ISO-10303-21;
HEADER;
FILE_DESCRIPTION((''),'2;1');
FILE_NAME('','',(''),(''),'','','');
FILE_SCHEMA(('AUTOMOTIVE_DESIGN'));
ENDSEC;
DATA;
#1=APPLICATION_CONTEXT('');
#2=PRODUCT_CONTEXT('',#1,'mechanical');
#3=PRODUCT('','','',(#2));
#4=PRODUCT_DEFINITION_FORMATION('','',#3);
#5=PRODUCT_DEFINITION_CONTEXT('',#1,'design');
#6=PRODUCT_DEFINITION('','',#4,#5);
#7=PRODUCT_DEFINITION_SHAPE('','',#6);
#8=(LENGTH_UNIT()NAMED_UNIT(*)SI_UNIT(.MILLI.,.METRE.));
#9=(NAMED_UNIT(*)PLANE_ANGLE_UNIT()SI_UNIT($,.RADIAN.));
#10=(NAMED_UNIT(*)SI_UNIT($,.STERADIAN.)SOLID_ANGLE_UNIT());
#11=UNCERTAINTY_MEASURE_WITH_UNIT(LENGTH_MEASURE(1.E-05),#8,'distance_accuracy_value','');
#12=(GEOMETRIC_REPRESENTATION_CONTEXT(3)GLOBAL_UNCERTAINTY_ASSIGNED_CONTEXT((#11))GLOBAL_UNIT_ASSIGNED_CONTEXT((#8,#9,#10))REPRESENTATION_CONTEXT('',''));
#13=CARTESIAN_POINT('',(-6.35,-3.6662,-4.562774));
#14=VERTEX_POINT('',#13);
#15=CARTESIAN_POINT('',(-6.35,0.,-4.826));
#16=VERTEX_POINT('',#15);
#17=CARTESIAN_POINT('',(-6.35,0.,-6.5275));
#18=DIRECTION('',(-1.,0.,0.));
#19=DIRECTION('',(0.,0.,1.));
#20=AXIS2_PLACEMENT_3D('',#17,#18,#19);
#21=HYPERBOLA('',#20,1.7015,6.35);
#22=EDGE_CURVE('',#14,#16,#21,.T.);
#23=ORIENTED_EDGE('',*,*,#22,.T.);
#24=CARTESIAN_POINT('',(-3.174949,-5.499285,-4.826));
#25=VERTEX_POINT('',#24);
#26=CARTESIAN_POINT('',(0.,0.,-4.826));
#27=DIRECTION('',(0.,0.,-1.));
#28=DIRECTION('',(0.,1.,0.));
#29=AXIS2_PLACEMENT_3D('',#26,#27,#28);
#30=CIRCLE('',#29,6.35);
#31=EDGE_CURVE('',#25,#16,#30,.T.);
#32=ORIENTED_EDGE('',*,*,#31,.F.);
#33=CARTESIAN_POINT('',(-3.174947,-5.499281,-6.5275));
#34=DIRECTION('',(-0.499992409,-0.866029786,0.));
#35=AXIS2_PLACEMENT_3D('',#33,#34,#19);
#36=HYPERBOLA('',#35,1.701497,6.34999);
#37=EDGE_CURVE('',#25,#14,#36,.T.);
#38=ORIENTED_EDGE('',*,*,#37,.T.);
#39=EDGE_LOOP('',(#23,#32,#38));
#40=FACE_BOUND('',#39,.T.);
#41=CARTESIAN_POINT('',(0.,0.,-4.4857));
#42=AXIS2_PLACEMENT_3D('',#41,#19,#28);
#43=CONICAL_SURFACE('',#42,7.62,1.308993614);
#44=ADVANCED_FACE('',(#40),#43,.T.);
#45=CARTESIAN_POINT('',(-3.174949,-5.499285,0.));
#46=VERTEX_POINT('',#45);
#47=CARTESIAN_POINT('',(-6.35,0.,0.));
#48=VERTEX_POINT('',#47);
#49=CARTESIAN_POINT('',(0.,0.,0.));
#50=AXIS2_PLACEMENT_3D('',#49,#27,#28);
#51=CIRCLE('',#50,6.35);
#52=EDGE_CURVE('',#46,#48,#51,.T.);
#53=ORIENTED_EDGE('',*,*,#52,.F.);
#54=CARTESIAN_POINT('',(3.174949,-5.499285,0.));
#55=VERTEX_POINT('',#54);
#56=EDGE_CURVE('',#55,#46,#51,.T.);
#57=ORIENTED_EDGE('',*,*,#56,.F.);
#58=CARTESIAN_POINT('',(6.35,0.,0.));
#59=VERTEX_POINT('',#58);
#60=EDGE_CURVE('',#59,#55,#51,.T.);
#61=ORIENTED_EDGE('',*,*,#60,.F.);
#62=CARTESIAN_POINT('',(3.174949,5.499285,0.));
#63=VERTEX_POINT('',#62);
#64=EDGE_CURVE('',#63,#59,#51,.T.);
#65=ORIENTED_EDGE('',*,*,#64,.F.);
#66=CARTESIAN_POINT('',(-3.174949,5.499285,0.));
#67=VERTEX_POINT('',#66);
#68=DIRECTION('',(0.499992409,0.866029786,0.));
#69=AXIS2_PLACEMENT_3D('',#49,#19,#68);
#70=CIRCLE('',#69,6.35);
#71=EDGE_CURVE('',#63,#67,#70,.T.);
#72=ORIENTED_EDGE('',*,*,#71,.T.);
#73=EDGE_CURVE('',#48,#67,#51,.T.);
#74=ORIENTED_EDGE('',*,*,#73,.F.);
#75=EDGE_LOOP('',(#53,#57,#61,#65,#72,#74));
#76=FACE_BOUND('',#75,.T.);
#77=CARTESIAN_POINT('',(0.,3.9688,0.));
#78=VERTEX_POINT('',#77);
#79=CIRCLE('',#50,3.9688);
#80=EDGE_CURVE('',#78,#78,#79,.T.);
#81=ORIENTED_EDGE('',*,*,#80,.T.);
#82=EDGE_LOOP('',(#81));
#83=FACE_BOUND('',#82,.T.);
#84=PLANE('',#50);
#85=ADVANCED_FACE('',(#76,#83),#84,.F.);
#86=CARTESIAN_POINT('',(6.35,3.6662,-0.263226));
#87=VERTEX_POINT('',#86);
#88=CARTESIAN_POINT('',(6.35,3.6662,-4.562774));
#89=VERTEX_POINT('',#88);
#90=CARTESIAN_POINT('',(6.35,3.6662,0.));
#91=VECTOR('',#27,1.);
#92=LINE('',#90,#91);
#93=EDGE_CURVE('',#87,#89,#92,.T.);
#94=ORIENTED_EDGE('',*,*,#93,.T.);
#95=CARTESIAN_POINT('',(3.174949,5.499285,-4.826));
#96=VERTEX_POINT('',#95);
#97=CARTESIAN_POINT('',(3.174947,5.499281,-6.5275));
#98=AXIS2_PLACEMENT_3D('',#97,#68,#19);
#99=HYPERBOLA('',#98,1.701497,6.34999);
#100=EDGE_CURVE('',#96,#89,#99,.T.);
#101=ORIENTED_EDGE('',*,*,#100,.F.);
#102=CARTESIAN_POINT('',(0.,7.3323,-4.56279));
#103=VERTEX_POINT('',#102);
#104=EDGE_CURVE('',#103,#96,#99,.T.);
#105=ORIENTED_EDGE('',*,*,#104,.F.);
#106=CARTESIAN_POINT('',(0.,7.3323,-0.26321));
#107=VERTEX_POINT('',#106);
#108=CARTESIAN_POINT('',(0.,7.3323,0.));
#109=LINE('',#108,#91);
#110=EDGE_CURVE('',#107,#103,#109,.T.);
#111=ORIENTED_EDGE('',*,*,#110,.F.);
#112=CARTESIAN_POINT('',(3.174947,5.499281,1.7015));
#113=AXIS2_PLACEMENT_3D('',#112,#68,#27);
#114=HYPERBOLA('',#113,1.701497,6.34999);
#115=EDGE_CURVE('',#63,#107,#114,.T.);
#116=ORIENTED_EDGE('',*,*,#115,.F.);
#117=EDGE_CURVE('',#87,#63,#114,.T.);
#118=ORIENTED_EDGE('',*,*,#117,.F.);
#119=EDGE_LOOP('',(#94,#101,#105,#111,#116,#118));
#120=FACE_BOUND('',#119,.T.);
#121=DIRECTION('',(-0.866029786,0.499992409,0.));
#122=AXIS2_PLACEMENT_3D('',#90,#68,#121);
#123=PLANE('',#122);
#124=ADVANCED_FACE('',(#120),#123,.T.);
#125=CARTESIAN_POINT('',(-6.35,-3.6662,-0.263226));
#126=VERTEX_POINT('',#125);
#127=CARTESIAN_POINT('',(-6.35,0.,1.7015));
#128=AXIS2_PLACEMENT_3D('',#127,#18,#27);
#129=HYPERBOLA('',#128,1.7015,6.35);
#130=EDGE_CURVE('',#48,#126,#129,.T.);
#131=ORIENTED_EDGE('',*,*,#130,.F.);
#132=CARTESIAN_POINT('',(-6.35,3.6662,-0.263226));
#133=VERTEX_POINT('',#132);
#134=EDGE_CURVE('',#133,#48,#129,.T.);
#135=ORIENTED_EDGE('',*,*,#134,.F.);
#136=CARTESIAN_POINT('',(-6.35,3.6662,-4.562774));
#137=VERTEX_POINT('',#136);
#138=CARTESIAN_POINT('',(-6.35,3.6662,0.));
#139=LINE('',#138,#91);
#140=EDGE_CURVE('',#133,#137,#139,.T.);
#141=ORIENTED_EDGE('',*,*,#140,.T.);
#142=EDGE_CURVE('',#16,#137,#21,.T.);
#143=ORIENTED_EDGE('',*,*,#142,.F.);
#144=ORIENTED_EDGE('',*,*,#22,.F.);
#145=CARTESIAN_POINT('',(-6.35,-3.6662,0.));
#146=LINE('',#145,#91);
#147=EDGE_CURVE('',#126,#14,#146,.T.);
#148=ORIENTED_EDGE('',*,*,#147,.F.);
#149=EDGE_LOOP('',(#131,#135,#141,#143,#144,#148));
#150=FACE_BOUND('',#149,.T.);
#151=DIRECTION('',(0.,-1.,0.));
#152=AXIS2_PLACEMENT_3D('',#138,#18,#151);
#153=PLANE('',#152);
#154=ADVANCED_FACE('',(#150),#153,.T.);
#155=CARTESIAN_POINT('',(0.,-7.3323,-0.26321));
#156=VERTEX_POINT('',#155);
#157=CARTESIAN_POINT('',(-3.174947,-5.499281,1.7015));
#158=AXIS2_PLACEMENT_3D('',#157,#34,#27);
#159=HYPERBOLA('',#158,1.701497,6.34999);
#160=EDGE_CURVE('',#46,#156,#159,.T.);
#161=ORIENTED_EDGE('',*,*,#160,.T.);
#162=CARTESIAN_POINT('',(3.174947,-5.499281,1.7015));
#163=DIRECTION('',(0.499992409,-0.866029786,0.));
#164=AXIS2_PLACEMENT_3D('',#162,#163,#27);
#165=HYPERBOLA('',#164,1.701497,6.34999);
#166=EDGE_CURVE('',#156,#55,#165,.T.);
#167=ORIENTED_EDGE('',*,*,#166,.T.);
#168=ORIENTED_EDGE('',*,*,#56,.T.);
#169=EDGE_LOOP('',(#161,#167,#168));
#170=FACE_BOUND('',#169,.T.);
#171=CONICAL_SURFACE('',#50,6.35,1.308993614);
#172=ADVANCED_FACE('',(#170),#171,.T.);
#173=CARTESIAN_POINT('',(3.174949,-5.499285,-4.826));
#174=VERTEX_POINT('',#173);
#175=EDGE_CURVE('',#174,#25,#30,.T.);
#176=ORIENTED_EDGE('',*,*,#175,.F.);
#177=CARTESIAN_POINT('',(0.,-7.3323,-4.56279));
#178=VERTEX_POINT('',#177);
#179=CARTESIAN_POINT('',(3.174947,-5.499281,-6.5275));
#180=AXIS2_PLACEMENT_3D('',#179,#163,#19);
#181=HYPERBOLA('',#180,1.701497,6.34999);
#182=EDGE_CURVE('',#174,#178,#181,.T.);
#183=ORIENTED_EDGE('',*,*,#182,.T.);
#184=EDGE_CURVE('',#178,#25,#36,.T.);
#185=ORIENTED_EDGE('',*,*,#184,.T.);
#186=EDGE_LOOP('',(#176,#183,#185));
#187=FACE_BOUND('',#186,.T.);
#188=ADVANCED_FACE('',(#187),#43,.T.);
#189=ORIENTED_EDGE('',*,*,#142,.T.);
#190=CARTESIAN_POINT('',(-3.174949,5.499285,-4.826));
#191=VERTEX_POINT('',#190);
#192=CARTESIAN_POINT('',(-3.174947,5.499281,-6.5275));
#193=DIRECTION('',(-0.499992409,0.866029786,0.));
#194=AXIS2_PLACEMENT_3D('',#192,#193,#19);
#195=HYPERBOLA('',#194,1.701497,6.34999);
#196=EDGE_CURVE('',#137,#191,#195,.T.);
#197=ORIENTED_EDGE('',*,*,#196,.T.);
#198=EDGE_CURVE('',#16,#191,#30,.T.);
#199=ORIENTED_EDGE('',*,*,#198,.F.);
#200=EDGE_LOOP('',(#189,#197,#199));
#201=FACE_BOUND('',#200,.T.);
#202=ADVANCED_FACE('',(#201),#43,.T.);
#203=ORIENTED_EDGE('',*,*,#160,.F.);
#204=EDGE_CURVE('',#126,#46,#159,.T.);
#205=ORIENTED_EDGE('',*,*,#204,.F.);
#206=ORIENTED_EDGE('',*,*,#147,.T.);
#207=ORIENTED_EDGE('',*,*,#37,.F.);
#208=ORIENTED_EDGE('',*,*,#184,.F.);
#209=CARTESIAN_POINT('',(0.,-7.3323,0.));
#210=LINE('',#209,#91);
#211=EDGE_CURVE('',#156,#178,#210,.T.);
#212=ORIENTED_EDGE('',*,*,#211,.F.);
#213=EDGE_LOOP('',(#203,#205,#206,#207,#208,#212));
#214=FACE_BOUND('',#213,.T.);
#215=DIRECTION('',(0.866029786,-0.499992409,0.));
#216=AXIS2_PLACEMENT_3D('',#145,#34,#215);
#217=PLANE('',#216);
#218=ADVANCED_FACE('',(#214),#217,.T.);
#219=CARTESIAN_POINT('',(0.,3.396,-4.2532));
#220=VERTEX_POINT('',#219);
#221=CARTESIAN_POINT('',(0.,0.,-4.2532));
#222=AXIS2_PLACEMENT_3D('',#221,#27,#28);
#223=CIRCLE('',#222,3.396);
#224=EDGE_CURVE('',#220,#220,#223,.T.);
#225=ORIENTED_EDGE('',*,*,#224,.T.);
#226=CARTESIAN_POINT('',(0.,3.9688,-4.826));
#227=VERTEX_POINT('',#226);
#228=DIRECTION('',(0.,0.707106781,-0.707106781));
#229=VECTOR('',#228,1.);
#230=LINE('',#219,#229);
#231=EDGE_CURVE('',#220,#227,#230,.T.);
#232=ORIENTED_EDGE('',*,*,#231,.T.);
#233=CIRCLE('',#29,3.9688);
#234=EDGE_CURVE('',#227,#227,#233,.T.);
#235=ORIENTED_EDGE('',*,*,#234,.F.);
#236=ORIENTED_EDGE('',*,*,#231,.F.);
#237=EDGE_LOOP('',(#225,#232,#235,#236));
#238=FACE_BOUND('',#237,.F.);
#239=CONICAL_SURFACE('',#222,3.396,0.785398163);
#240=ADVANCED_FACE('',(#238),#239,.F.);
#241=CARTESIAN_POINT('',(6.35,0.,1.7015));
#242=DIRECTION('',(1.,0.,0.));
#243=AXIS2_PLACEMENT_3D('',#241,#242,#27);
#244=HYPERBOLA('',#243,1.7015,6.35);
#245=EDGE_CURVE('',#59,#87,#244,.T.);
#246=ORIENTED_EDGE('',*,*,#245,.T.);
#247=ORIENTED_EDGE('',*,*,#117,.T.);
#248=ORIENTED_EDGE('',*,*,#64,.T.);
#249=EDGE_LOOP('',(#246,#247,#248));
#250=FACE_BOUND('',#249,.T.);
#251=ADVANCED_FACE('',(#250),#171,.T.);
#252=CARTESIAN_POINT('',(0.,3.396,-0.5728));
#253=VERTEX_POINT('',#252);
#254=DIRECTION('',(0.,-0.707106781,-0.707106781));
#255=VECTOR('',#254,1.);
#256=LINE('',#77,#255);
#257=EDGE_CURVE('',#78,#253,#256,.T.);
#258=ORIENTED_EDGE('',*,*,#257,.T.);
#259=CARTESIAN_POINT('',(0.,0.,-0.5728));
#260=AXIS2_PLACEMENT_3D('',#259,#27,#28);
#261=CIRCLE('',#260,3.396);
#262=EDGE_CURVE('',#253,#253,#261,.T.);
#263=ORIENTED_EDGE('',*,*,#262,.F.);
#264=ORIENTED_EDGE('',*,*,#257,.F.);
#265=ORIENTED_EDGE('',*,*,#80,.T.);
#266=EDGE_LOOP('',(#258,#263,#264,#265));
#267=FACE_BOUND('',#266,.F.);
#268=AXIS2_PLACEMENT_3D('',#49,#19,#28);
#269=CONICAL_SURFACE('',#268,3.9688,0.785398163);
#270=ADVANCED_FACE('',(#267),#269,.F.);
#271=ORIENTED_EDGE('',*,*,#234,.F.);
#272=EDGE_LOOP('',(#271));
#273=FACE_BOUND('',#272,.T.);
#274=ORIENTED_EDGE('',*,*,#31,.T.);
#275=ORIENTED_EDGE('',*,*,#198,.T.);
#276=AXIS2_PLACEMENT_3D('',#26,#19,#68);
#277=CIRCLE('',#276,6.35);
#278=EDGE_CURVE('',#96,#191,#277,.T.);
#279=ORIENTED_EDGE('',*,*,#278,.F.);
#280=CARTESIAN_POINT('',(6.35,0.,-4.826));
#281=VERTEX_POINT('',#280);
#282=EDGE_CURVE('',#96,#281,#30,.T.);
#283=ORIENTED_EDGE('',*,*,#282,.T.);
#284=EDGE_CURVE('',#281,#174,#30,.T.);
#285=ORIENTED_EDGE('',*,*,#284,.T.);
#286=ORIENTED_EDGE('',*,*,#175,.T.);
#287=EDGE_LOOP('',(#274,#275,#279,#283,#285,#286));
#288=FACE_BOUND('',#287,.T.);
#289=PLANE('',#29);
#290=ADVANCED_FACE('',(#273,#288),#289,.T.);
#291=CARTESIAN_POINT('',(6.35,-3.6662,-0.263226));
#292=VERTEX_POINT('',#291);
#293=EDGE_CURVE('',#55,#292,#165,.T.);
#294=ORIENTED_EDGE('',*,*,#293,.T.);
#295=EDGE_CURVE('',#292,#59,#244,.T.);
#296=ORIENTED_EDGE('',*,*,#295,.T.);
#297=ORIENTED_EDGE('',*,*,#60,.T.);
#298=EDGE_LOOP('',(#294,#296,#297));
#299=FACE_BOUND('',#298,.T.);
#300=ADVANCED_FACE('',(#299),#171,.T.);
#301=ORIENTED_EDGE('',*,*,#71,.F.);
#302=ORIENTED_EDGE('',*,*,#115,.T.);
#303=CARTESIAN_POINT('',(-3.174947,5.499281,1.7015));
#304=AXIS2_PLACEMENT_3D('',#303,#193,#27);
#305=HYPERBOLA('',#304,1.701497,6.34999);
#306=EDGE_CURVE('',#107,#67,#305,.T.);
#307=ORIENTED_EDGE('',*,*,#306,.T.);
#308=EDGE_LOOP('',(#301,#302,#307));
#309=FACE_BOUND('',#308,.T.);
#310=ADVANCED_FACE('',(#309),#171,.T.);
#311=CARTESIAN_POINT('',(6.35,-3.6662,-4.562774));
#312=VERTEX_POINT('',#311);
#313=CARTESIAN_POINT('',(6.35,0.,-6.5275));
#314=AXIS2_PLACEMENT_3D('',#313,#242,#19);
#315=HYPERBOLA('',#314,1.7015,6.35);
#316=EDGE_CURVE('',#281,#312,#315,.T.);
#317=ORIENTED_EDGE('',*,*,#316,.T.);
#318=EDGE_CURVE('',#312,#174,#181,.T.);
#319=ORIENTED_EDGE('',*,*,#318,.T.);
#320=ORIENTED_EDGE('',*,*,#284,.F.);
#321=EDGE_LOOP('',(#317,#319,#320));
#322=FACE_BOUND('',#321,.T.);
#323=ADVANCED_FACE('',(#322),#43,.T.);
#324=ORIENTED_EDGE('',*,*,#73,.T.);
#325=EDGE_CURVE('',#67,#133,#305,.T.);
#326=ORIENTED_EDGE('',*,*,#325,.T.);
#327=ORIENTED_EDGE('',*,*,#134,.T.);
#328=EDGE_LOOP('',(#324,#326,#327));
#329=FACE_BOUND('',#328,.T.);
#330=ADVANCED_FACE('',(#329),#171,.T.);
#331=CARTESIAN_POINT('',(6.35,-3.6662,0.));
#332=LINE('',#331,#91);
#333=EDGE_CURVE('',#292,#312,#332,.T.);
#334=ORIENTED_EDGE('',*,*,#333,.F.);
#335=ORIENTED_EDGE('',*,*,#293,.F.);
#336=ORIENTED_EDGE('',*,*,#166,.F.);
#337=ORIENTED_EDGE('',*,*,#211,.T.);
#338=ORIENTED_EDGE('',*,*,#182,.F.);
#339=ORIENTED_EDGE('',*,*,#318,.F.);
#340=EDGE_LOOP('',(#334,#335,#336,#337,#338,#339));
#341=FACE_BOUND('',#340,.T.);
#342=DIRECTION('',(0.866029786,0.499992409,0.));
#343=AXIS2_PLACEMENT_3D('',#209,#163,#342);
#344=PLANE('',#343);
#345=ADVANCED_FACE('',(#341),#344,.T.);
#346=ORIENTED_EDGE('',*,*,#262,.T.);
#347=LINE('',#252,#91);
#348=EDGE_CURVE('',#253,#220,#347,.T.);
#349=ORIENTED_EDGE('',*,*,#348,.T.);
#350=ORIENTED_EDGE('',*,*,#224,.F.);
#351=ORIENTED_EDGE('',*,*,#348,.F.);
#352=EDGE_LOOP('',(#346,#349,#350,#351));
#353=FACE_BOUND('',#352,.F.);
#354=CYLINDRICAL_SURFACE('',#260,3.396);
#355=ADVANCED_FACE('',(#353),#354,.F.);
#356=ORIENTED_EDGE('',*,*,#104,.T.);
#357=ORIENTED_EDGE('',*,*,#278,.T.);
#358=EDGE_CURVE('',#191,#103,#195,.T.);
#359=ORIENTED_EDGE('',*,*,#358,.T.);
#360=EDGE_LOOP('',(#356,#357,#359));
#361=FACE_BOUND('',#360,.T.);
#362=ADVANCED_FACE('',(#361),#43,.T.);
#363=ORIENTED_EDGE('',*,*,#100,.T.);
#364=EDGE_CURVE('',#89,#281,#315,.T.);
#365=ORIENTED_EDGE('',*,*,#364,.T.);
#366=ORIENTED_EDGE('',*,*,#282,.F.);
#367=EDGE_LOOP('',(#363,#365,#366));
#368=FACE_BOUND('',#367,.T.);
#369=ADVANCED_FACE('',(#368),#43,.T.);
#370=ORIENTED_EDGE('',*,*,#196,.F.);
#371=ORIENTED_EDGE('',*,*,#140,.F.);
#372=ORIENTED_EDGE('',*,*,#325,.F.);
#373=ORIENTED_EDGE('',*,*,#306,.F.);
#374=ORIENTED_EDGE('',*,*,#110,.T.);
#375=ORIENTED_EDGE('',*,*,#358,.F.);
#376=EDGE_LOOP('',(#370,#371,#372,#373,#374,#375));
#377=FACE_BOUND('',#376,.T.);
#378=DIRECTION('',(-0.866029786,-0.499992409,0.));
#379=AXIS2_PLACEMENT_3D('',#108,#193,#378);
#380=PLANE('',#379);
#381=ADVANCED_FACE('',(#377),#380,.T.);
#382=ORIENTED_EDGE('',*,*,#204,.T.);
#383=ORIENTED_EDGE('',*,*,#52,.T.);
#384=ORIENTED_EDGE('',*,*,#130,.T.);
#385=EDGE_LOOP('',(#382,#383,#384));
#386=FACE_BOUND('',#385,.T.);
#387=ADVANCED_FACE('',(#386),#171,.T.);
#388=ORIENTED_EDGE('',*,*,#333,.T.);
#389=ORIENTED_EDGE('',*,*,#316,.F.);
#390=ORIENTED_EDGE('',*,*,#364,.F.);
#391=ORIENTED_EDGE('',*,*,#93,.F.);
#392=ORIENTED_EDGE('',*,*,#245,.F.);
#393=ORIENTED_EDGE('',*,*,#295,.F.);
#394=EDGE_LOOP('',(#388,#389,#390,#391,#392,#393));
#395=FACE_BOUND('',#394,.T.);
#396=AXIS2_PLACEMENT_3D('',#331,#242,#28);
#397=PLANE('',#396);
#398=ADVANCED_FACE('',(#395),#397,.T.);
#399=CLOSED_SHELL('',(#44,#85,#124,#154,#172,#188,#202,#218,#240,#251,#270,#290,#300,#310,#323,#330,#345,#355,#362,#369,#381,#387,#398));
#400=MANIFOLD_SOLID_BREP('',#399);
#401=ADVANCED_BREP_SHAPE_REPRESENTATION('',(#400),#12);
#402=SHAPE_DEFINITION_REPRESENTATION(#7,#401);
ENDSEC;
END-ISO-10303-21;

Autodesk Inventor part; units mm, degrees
sketch "Sketch_8" plane through (0, 0, 0) normal (1, 0, 0) x (0, 1, 0)
  line L0 (0, -4.826) -> (0, 0)
  line L1 (0, 0) -> (6.35, 0)
  line L2 (6.35, 0) -> (7.62, -0.3403)
  line L3 (7.62, -0.3403) -> (7.62, -4.4857)
  line L4 (7.62, -4.4857) -> (6.35, -4.826)
  line L5 (6.35, -4.826) -> (0, -4.826)
  line L6 (0, -4.826) -> (0, 0)
sketch "Sketch_10" plane through (0, 0, 0) normal (0, 0, 1) x (1, 0, 0)
  line L0 (-12.7, 12.7) -> (-12.7, -12.7)
  line L1 (-12.7, -12.7) -> (12.7, -12.7)
  line L2 (12.7, -12.7) -> (12.7, 12.7)
  line L3 (12.7, 12.7) -> (-12.7, 12.7)
  line L4 (-6.35, 3.6662) -> (-6.35, -3.6662)
  line L5 (-6.35, -3.6662) -> (0, -7.3323)
  line L6 (0, -7.3323) -> (6.35, -3.6662)
  line L7 (6.35, -3.6662) -> (6.35, 3.6662)
  line L8 (6.35, 3.6662) -> (0, 7.3323)
  line L9 (0, 7.3323) -> (-6.35, 3.6662)
revolve "Revolution1" add sketch "Sketch_8" angle 360 about axis through (0, 0, -4.826) along (0, 0, -1)
extrude "Extrusion1" cut sketch "Sketch_10" against normal blind 4.826
sketch "Sketch_11" plane through (0, 0, 0) normal (1, 0, 0) x (0, 1, 0)
  line L0 (0, -4.826) -> (0, 0)
  line L1 (0, 0) -> (3.9688, 0)
  line L2 (3.9688, 0) -> (3.396, -0.5728)
  line L3 (3.396, -0.5728) -> (3.396, -4.2532)
  line L4 (3.396, -4.2532) -> (3.9688, -4.826)
  line L5 (3.9688, -4.826) -> (0, -4.826)
  line L6 (0, -4.826) -> (0, 0)
revolve "Revolution2" cut sketch "Sketch_11" angle 360 about axis through (0, 0, -4.826) along (0, 0, -1)
thread "Thread1" size "5/16-20 UN" class "3B" standard "ANSI Unified Screw Threads" full length
ref_plane "NUT_XY" through (0, 0, 0) normal (0, 0, 1) x (1, 0, 0)
ref_plane "NUT_YZ" through (0, 0, 0) normal (1, 0, 0) x (0, 1, 0)
ref_plane "NUT_ZX" through (0, 0, 0) normal (0, 1, 0) x (0, 0, 1)
ref_plane "a1_XY" through (-6.35, 6.35, 0) normal (0, 0, 1) x (1, 0, 0)
ref_plane "a1_YZ" through (-6.35, 6.35, 0) normal (1, 0, 0) x (0, 1, 0)
ref_plane "a1_ZX" through (-6.35, 6.35, 0) normal (0, 1, 0) x (0, 0, 1)
ref_plane "a2_XY" through (6.35, 6.35, 0) normal (0, 0, 1) x (1, 0, 0)
ref_plane "a2_YZ" through (6.35, 6.35, 0) normal (1, 0, 0) x (0, 1, 0)
ref_plane "a2_ZX" through (6.35, 6.35, 0) normal (0, 1, 0) x (0, 0, 1)
ref_plane "b1_XY" through (0, 6.35, 0) normal (1, 0, 0) x (0, 0, -1)
ref_plane "b1_YZ" through (0, 6.35, 0) normal (0, 0, -1) x (0, 1, 0)
ref_plane "b1_ZX" through (0, 6.35, 0) normal (0, 1, 0) x (1, 0, 0)
ref_plane "b2_XY" through (0, 6.35, -4.826) normal (1, 0, 0) x (0, 0, -1)
ref_plane "b2_YZ" through (0, 6.35, -4.826) normal (0, 0, -1) x (0, 1, 0)
ref_plane "b2_ZX" through (0, 6.35, -4.826) normal (0, 1, 0) x (1, 0, 0)
ref_plane "e_XY" through (0, 0, -4.826) normal (1, 0, 0) x (0, 0, -1)
ref_plane "e_YZ" through (0, 0, -4.826) normal (0, 0, -1) x (0, 1, 0)
ref_plane "e_ZX" through (0, 0, -4.826) normal (0, 1, 0) x (1, 0, 0)
ref_plane "th1_XY" through (0, 3.9688, -4.826) normal (1, 0, 0) x (0, 0, -1)
ref_plane "th1_YZ" through (0, 3.9688, -4.826) normal (0, 0, -1) x (0, 1, 0)
ref_plane "th1_ZX" through (0, 3.9688, -4.826) normal (0, 1, 0) x (1, 0, 0)
ref_plane "th2_XY" through (0, -3.9688, -4.826) normal (1, 0, 0) x (0, 0, -1)
ref_plane "th2_YZ" through (0, -3.9688, -4.826) normal (0, 0, -1) x (0, 1, 0)
ref_plane "th2_ZX" through (0, -3.9688, -4.826) normal (0, 1, 0) x (1, 0, 0)
ref_plane "ol1_XY" through (0, 0, -6.35) normal (0, 1, 0) x (1, 0, 0)
ref_plane "ol1_YZ" through (0, 0, -6.35) normal (1, 0, 0) x (0, 0, -1)
ref_plane "ol1_ZX" through (0, 0, -6.35) normal (0, 0, -1) x (0, 1, 0)
ref_plane "ol2_XY" through (4.826, 0, -6.35) normal (0, 1, 0) x (1, 0, 0)
ref_plane "ol2_YZ" through (4.826, 0, -6.35) normal (1, 0, 0) x (0, 0, -1)
ref_plane "ol2_ZX" through (4.826, 0, -6.35) normal (0, 0, -1) x (0, 1, 0)
properties part number "D-746"
